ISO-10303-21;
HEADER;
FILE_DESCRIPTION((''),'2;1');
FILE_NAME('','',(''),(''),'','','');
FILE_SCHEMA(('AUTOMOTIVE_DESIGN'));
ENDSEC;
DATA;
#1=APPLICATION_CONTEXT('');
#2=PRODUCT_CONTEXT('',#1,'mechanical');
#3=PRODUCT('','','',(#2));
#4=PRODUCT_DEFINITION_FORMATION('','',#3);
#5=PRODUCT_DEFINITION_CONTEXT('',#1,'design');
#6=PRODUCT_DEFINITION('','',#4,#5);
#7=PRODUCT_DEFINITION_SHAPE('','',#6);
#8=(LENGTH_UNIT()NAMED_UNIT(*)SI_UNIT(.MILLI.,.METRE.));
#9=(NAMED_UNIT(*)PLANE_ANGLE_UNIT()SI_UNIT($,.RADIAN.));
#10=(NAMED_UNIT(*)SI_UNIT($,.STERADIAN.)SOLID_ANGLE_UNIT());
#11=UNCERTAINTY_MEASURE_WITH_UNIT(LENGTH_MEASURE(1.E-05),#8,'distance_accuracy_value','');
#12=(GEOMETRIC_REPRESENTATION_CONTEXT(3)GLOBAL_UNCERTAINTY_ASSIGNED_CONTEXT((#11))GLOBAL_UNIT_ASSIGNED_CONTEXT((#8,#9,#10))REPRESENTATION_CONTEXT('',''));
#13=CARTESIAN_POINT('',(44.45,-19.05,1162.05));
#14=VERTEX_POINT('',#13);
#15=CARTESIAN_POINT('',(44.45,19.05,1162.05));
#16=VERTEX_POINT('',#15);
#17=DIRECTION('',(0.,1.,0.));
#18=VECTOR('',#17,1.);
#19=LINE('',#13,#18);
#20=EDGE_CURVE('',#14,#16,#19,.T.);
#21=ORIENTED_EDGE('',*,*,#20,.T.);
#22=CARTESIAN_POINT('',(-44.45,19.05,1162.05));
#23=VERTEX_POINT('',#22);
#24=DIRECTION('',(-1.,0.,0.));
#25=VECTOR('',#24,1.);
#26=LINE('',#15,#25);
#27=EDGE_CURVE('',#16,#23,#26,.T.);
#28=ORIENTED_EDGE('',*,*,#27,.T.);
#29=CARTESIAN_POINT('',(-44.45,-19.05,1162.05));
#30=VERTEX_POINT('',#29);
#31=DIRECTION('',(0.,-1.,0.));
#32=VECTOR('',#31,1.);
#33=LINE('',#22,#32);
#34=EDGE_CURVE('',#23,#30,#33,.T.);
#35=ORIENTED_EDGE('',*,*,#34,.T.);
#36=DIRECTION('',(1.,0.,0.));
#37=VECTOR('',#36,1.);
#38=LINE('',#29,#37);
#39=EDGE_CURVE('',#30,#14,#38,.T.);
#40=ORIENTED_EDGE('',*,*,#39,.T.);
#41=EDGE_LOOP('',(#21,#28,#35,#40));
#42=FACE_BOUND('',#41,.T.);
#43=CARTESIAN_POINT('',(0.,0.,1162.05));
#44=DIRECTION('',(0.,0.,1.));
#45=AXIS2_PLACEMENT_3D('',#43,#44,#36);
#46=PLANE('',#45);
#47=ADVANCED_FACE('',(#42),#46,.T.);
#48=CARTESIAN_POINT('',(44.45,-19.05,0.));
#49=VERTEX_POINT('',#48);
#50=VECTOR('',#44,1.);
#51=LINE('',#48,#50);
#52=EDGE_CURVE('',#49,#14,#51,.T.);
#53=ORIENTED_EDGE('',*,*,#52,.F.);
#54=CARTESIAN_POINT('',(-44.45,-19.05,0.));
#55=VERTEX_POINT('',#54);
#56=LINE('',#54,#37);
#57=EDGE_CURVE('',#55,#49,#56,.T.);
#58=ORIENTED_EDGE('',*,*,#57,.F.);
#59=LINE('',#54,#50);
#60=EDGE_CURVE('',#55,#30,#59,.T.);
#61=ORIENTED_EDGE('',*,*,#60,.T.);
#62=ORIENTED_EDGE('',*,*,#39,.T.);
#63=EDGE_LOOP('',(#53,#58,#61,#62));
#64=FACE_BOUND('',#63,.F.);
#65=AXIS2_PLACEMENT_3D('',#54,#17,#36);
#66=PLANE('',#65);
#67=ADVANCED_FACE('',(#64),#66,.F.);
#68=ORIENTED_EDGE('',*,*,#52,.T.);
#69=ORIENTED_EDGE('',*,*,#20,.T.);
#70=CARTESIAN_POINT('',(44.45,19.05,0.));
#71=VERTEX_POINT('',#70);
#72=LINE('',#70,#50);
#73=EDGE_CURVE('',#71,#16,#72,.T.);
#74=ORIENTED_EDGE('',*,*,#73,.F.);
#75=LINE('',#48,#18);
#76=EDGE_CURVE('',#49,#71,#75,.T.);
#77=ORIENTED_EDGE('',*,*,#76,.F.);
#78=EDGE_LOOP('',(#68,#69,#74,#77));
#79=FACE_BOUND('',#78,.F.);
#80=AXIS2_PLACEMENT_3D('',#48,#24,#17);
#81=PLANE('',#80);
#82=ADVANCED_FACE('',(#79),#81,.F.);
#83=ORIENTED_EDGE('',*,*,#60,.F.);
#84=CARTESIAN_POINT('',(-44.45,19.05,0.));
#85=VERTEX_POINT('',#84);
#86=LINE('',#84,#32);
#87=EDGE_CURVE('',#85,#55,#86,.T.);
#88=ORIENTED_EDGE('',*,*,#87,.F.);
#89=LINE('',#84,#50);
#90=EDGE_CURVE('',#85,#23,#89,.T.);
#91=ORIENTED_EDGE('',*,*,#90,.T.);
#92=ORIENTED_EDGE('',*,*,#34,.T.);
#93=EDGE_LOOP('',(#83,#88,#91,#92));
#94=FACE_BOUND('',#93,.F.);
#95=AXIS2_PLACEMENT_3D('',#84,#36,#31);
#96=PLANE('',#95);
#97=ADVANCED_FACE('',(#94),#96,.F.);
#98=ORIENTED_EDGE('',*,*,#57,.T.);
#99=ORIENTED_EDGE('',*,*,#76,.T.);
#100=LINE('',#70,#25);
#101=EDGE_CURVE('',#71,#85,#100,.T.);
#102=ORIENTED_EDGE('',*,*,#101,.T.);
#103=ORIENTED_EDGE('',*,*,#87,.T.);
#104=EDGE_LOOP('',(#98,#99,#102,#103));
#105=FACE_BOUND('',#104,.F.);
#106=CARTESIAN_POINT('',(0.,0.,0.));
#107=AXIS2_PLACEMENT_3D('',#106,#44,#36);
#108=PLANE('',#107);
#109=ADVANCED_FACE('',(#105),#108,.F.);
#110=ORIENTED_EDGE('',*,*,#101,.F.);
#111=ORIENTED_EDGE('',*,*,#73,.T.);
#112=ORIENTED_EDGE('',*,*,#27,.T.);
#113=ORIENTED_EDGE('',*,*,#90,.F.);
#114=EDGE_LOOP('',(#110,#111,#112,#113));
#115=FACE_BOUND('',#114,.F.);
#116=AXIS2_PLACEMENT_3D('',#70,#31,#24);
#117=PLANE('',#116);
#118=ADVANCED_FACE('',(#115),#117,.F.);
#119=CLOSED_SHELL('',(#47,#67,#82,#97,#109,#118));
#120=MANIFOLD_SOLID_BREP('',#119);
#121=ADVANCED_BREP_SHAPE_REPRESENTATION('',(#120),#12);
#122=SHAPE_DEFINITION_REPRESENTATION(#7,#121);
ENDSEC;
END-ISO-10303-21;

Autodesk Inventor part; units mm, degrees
ref_plane "YZ Plane" through (0, 0, 0) normal (1, 0, 0) x (0, 1, 0)
ref_plane "XZ Plane" through (0, 0, 0) normal (0, 1, 0) x (-1, 0, 0)
ref_plane "XY Plane" through (0, 0, 0) normal (0, 0, 1) x (1, 0, 0)
sketch "Sketch1" plane through (0, 0, 0) normal (0, 0, 1) x (1, 0, 0)
  line L0 (-44.45, -19.05) -> (44.45, -19.05)
  line L1 (44.45, -19.05) -> (44.45, 19.05)
  line L2 (44.45, 19.05) -> (-44.45, 19.05)
  line L3 (-44.45, 19.05) -> (-44.45, -19.05)
  line L4 (-44.45, -19.05) -> (44.45, 19.05) construction
  line L5 (44.45, -19.05) -> (-44.45, 19.05) construction
  point P0 (0, 0)
  dimension "d0" = 88.9
  dimension "d1" = 38.1
extrude "Extrusion1" add sketch "Sketch1" along normal blind 1162.05
properties part number "Lumbwer 2x4x45_75" material "Wood (Birch)"
